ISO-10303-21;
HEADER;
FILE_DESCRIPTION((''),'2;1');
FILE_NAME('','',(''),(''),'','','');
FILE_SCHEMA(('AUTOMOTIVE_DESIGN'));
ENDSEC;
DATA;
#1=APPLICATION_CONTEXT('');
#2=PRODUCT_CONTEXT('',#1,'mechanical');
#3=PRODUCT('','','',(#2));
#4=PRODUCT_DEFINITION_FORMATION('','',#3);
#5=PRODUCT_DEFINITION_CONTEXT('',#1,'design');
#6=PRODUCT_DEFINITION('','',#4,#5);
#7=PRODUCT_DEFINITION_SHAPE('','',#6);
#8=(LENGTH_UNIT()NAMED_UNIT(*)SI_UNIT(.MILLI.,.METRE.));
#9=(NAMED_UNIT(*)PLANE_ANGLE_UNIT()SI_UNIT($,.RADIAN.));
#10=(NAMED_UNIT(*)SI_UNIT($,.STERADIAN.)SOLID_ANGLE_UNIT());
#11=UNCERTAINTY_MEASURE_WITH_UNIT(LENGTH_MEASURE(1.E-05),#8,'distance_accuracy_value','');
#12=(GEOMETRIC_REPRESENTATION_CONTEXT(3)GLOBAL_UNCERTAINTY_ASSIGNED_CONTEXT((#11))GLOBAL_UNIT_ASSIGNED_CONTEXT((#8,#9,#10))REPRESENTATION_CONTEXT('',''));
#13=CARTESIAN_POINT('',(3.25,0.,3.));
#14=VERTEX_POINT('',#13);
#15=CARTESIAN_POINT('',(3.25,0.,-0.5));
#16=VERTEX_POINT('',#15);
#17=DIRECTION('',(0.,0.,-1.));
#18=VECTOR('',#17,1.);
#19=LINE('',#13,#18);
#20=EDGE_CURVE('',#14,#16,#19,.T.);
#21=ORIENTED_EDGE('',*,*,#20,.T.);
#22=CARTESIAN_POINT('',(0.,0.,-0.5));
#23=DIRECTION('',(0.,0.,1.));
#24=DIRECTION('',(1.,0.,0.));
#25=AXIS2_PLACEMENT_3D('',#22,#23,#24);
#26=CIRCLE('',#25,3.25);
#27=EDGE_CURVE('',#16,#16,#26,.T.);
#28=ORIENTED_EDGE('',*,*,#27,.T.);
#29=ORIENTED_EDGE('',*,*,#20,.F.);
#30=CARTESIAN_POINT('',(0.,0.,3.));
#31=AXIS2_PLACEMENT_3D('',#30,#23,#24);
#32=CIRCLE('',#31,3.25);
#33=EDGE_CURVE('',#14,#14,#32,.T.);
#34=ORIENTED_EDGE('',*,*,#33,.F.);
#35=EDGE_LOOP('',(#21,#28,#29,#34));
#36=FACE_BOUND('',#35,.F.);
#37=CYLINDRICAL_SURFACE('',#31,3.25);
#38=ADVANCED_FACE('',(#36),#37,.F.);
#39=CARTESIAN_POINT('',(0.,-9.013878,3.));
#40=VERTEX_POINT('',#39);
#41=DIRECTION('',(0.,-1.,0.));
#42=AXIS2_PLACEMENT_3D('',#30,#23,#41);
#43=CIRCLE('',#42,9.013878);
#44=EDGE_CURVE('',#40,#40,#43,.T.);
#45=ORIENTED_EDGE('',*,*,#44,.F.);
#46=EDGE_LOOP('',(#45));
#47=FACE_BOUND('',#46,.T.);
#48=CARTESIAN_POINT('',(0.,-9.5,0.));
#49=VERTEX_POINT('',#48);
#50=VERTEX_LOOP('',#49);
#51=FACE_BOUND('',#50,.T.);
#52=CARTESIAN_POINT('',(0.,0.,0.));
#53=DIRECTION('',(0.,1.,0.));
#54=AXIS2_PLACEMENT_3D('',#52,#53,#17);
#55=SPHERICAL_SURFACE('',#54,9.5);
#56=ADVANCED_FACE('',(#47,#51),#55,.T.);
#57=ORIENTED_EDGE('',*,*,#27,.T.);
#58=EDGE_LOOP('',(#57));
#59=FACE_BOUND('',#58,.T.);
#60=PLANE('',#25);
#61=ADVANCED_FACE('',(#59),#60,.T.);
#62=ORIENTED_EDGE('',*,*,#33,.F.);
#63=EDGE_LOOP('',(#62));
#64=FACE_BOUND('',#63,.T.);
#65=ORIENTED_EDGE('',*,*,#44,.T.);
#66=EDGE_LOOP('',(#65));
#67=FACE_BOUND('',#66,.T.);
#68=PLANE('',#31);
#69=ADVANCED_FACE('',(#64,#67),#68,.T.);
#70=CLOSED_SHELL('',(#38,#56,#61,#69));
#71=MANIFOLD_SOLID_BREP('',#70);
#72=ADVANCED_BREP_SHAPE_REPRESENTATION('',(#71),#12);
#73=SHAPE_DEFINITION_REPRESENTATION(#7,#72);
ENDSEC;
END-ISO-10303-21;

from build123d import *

# Parameters (mm, degrees)
F2_W     = 25.694864
F2_H     = 24.584594
F3_DEPTH = 25
F6_R     = 3.25
F7_DEPTH = 3.5


with BuildPart() as f1:
    # F0 (on Right) → F1 (revolve)
    with BuildSketch(Plane.YZ):
        with BuildLine():
            Line((9.5, 0), (-9.5, 0))
            ThreePointArc((-9.5, 0), (0, -9.5), (9.5, 0))
        make_face()
    revolve(axis=Axis((0, 0, 0), (0, 1, 0)))


with BuildPart() as f3:
    # F2 (on Top) → F3 (new body)
    with BuildSketch(Plane.XY):
        Rectangle(F2_W, F2_H)
    extrude(amount=F3_DEPTH)


with BuildPart() as f3_1:
    # F4: moved
    add(f3.part.moved(Location((0, 0, 3))))


with BuildPart() as f1_1:
    add(f1.part)

    # F5: cut F3
    add(f3_1.part, mode=Mode.SUBTRACT)

    # F6 (on face) → F7 (cut)
    with BuildSketch(Plane.XY.offset(3)):
        Circle(F6_R)
    extrude(amount=-F7_DEPTH, mode=Mode.SUBTRACT)


solid = f1_1.part
